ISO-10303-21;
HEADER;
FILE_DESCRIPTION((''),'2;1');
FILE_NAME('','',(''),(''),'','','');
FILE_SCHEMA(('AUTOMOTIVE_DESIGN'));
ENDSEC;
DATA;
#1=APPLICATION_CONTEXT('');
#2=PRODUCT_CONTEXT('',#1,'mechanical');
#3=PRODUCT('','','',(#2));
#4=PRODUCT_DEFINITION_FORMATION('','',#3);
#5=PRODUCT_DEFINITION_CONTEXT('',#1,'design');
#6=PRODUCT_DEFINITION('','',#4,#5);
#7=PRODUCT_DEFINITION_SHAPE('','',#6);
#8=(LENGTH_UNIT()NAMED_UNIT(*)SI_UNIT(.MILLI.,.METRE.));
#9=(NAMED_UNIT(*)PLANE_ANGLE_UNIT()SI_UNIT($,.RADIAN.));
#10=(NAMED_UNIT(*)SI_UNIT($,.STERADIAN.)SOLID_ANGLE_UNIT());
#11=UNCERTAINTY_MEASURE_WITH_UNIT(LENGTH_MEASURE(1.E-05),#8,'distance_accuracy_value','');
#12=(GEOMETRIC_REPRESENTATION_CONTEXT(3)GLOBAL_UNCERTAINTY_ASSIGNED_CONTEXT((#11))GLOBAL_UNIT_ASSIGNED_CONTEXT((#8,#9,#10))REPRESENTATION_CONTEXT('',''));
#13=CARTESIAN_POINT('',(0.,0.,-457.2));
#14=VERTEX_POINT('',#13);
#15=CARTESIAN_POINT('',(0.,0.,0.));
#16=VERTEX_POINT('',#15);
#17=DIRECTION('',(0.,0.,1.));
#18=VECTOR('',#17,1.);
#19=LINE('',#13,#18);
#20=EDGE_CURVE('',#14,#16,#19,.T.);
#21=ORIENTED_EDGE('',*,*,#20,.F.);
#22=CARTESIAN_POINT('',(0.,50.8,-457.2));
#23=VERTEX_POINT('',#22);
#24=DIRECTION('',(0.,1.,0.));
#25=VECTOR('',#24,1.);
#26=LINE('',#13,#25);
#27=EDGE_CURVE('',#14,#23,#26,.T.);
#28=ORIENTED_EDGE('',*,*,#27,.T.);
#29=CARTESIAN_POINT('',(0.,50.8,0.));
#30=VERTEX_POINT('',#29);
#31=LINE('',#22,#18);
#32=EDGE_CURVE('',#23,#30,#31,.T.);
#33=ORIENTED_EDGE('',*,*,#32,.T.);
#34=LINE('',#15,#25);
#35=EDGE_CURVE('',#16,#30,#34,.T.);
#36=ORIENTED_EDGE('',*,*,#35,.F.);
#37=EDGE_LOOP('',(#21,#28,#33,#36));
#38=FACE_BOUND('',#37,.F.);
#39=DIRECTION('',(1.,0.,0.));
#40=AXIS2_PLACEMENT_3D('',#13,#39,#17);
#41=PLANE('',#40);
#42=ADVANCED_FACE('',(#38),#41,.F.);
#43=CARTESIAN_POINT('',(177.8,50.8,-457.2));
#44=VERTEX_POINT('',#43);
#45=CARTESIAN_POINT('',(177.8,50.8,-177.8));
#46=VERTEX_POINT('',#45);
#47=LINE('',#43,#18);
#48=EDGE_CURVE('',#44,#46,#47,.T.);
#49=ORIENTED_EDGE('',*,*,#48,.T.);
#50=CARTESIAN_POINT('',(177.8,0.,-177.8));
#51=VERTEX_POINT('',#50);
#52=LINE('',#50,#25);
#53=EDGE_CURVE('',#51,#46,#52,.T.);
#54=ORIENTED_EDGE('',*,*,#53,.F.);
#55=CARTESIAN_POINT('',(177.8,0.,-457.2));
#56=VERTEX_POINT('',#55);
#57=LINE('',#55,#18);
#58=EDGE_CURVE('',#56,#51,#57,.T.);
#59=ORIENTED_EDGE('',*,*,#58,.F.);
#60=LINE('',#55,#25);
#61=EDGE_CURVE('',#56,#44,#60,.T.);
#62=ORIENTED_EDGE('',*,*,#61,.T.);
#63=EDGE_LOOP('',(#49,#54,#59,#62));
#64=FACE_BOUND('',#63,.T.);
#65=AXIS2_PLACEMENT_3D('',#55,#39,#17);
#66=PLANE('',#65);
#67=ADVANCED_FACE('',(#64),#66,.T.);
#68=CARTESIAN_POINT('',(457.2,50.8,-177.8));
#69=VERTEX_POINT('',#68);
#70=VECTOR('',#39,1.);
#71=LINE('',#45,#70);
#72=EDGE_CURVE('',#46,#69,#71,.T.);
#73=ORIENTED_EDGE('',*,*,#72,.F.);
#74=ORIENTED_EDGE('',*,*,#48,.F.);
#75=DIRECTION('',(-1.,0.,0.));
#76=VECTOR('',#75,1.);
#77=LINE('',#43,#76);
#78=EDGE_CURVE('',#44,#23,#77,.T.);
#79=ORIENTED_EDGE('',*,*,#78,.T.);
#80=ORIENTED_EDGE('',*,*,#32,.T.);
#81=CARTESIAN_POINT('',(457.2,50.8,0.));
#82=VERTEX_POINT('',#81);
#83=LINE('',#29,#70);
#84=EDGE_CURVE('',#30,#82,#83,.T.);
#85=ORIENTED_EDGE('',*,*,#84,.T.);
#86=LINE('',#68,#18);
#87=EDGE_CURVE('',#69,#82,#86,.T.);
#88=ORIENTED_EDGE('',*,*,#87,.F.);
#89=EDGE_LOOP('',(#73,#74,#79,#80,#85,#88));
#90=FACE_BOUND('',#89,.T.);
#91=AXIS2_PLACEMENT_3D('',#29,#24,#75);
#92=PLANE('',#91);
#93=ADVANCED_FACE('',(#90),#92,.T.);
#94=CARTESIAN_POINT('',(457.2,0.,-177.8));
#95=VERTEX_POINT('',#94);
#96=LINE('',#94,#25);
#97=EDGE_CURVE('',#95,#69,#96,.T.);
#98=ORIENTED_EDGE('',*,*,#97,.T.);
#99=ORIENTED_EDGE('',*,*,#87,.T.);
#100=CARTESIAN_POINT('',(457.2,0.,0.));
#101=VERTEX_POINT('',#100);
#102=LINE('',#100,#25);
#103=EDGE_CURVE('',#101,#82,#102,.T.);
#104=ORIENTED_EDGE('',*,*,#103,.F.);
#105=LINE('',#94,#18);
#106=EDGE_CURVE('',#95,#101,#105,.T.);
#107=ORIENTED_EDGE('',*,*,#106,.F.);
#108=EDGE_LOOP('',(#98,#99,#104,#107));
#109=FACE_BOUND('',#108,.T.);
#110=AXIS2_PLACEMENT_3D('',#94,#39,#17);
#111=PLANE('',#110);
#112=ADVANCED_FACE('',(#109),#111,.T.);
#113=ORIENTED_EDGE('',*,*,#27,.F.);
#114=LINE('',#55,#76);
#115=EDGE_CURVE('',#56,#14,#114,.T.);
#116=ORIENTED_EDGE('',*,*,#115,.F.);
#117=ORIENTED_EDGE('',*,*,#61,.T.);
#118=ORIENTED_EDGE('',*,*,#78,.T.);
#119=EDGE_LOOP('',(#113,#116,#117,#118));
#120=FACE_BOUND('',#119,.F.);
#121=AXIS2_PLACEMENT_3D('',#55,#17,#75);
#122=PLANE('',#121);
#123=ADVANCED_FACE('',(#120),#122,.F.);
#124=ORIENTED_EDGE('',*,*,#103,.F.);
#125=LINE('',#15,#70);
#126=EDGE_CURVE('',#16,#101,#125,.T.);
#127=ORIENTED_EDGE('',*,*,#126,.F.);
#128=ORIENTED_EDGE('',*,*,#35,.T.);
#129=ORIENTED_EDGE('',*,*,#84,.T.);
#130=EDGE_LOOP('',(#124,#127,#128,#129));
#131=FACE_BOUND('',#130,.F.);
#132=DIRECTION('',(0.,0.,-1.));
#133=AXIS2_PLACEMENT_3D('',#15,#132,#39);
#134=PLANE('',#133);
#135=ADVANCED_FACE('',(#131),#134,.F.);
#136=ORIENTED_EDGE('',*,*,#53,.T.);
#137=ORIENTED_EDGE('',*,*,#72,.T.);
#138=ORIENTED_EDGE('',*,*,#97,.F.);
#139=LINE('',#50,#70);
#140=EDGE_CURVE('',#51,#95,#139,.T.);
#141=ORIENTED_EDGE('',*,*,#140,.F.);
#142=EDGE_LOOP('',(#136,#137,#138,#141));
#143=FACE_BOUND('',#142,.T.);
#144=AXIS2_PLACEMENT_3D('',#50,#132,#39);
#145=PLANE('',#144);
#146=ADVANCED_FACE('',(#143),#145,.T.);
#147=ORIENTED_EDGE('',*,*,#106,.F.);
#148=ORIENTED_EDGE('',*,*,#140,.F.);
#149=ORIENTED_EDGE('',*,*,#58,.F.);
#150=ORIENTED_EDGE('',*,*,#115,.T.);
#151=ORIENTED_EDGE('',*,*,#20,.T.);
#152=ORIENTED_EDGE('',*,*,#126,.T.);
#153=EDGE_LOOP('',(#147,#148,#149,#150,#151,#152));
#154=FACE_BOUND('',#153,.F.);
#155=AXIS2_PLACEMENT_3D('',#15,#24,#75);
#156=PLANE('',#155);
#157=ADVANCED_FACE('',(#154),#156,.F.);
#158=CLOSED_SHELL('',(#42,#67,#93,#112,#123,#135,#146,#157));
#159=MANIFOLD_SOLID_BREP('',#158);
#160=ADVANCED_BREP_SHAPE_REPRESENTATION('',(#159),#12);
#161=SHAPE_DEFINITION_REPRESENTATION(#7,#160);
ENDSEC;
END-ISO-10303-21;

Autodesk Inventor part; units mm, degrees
ref_plane "YZ Plane" through (0, 0, 0) normal (1, 0, 0) x (0, 1, 0)
ref_plane "XZ Plane" through (0, 0, 0) normal (0, 1, 0) x (-1, 0, 0)
ref_plane "XY Plane" through (0, 0, 0) normal (0, 0, 1) x (1, 0, 0)
sketch "Sketch2" plane through (0, 0, 0) normal (0, 1, 0) x (-1, 0, 0)
  line L0 (0, -457.2) -> (0, 0)
  line L1 (0, 0) -> (-457.2, 0)
  line L2 (-177.8, -457.2) -> (-177.8, -177.8)
  line L3 (-177.8, -177.8) -> (-457.2, -177.8)
  line L4 (-177.8, -457.2) -> (0, -457.2)
  line L5 (-457.2, -177.8) -> (-457.2, 0)
  dimension "d3" = 457.2
  dimension "d4" = 177.8
extrude "Extrusion1" add sketch "Sketch2" along normal blind 50.8
properties part number "L - 6"
